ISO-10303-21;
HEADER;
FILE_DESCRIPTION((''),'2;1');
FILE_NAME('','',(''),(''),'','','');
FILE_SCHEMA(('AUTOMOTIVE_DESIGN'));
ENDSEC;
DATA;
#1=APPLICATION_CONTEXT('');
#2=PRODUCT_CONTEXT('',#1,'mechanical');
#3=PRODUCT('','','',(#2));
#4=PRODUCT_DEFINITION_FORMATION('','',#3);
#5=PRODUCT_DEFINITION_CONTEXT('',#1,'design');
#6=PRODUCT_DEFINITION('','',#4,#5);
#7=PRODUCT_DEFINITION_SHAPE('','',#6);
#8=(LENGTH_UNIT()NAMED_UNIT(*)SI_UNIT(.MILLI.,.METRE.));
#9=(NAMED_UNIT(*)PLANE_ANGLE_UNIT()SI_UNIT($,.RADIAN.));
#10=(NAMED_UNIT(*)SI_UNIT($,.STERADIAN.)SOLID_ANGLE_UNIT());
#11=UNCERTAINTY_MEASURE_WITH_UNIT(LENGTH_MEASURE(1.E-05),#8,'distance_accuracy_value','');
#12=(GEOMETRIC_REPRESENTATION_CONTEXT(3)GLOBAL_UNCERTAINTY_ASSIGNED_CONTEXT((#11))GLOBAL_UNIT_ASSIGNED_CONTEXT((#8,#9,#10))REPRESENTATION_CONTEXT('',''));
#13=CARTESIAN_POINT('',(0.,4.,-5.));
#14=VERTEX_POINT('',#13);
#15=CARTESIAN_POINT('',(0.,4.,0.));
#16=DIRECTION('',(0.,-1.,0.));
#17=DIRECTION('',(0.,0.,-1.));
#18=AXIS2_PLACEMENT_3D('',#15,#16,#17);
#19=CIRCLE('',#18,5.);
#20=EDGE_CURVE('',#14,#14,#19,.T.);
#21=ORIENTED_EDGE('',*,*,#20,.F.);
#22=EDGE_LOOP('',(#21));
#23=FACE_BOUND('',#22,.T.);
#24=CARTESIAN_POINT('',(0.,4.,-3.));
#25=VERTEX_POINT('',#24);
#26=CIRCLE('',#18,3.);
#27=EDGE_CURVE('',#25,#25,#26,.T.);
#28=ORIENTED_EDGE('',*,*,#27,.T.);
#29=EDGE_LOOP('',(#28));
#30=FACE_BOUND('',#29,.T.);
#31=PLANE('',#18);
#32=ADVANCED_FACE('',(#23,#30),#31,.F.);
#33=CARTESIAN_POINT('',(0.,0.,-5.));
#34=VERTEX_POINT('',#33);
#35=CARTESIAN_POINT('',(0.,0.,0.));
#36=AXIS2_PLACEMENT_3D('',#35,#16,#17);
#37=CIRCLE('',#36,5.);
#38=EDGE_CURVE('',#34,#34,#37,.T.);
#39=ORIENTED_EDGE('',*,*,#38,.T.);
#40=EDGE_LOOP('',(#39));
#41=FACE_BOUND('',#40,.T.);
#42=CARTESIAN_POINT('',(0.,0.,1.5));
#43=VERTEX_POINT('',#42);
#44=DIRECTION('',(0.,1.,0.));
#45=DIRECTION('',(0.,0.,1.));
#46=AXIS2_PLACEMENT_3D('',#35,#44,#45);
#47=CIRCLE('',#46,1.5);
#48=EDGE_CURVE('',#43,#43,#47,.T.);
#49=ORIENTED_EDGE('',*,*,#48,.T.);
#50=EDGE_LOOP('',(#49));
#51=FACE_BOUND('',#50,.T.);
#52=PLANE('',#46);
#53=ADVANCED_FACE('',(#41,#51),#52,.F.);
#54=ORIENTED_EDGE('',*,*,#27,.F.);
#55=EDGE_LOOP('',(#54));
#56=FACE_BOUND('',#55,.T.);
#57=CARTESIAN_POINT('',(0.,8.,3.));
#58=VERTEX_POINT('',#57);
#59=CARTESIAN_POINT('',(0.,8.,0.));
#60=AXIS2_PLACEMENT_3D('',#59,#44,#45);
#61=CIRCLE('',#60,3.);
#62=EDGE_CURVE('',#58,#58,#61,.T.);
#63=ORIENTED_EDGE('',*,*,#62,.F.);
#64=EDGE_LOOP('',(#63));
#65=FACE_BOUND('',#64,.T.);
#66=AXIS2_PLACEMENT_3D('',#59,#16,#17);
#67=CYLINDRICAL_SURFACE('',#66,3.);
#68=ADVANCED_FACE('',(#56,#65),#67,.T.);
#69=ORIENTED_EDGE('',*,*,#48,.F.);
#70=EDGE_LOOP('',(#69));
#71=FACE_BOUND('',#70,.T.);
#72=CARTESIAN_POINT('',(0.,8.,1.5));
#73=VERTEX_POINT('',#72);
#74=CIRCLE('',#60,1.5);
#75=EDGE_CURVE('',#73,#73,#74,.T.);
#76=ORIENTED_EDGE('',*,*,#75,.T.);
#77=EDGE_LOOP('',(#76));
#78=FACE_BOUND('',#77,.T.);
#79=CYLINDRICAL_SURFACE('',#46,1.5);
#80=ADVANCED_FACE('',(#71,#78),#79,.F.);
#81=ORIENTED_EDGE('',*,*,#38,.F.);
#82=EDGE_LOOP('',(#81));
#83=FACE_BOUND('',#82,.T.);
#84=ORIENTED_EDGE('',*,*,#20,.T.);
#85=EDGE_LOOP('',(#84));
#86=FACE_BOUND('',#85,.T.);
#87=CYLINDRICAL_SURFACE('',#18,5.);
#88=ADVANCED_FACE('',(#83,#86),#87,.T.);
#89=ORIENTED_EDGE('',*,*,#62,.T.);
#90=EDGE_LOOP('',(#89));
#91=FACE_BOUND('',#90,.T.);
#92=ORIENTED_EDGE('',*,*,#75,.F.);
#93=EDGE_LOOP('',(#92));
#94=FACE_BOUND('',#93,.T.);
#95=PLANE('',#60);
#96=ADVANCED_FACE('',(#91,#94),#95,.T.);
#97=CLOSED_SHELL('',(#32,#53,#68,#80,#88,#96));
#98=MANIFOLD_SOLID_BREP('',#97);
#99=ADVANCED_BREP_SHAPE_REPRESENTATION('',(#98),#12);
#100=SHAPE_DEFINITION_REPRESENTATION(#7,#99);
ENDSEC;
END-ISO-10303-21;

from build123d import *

# Parameters (mm, degrees)
SKETCH_1_R          = 3
EXTRUDE_1_DEPTH     = 8
SKETCH_2_R          = 1.5
CUT_EXTRUDE_1_DEPTH = 8
SKETCH_3_R          = 5
SKETCH_3_R_2        = 1.511526568
EXTRUDE_2_DEPTH     = 4


with BuildPart() as part:
    # 草图1 → 凸台-拉伸1 (new body)
    with BuildSketch(Plane(origin=(0, 0, 0), x_dir=(1, 0, 0), z_dir=(0, 1, 0))):
        with Locations(Location((0, 0, 0), (0, 0, 270))):
            Circle(SKETCH_1_R)
    extrude(amount=EXTRUDE_1_DEPTH)

    # 草图2 → 切除-拉伸1 (cut)
    with BuildSketch(Plane(origin=(0, 8, 0), x_dir=(1, 0, 0), z_dir=(0, 1, 0))):
        with Locations(Location((0, 0, 0), (0, 0, 270))):
            Circle(SKETCH_2_R)
    extrude(amount=-CUT_EXTRUDE_1_DEPTH, mode=Mode.SUBTRACT)

    # 草图3 → 凸台-拉伸2 (add)
    with BuildSketch(Plane.XZ):
        with Locations(Location((0, 0, 0), (0, 0, 270))):
            Circle(SKETCH_3_R)
        Circle(SKETCH_3_R_2, mode=Mode.SUBTRACT)
    extrude(amount=-EXTRUDE_2_DEPTH)


solid = part.part
